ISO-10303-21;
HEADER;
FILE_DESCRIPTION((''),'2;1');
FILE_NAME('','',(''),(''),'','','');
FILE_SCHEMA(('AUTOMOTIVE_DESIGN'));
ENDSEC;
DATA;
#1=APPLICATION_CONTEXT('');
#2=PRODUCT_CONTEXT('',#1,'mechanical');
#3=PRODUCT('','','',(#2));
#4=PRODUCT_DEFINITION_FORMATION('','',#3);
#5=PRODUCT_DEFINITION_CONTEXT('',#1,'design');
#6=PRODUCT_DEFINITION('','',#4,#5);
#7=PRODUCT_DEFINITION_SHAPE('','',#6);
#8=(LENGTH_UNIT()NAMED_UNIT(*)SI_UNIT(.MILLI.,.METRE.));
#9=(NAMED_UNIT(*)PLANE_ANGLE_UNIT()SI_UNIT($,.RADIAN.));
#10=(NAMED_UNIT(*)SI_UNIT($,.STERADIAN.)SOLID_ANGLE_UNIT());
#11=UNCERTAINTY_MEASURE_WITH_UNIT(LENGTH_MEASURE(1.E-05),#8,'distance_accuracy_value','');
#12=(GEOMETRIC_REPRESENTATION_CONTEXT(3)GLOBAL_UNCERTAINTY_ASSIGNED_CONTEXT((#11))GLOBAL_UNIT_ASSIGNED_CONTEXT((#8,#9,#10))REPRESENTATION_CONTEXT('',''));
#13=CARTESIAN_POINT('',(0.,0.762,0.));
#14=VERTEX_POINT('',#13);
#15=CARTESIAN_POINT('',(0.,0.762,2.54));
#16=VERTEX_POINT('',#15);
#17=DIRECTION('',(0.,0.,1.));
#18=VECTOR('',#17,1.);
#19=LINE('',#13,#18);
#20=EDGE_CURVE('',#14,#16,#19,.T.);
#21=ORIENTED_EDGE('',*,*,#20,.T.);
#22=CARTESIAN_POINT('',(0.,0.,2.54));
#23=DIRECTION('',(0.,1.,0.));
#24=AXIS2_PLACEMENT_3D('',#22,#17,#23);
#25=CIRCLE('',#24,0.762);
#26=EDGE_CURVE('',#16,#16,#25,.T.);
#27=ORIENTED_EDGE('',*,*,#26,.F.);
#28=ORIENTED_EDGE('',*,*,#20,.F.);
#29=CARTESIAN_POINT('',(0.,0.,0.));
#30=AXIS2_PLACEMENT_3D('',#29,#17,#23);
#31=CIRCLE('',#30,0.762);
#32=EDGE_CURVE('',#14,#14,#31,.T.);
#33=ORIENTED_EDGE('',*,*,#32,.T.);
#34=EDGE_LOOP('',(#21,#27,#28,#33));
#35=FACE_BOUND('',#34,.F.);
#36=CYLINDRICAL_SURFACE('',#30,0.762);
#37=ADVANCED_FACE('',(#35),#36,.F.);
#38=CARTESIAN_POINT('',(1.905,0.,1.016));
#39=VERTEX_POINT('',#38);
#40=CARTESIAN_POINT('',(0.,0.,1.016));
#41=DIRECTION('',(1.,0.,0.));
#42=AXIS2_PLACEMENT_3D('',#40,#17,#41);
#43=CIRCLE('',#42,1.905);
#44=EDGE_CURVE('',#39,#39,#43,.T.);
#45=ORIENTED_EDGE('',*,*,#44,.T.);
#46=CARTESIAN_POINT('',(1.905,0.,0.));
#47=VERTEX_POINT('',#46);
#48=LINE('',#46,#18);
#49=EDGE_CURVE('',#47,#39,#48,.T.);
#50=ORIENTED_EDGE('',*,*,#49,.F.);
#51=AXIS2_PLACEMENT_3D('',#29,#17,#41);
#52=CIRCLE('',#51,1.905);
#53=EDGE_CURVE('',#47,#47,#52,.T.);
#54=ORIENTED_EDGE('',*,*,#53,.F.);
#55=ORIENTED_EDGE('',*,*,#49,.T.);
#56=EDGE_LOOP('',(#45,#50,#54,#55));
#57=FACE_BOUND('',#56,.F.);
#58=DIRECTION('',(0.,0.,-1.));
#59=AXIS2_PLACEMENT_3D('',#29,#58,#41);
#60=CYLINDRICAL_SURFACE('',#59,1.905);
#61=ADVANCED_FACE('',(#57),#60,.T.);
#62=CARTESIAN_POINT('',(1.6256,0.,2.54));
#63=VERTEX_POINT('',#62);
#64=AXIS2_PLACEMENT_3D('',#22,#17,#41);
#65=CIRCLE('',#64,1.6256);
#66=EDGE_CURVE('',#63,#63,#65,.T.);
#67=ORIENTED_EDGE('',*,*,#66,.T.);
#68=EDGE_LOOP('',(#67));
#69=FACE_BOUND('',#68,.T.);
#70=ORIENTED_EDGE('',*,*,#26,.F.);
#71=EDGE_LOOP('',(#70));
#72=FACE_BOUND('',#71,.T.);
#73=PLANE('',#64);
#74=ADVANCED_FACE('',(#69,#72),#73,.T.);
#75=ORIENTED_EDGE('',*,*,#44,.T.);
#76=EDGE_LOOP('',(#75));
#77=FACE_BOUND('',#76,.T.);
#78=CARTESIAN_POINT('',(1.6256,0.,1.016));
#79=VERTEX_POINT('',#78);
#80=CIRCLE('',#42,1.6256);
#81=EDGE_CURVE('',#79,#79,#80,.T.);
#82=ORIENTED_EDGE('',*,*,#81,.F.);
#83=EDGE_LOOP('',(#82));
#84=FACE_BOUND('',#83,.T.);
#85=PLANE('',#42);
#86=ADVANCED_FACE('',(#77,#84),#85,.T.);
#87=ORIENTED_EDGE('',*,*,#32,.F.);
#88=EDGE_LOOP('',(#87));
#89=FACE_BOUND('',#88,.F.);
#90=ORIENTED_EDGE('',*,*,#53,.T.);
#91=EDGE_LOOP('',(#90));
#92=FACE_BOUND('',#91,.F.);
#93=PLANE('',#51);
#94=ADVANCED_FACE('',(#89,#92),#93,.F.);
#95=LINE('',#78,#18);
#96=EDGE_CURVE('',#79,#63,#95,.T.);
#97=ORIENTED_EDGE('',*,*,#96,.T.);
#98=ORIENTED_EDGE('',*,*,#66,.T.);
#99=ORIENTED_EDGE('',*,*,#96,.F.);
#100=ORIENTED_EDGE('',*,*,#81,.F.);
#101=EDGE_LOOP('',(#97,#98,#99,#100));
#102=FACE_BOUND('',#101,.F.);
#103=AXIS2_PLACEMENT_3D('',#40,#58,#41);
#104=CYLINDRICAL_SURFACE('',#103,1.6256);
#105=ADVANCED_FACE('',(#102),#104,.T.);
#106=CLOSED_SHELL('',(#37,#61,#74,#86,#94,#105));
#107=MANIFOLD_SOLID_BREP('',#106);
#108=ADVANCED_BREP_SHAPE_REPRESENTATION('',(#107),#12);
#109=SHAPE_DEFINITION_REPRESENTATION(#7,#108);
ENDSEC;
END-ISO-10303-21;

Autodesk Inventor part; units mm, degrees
ref_plane "YZ Plane" through (0, 0, 0) normal (1, 0, 0) x (0, 1, 0)
ref_plane "XZ Plane" through (0, 0, 0) normal (0, 1, 0) x (-1, 0, 0)
ref_plane "XY Plane" through (0, 0, 0) normal (0, 0, 1) x (1, 0, 0)
sketch "Sketch1" plane through (0, 0, 0) normal (0, 0, 1) x (1, 0, 0)
  circle A0 centre (0, 0) radius 1.905
  dimension "d0" = 3.81
extrude "Extrusion1" add sketch "Sketch1" along normal blind 1.016
sketch "Sketch2" plane through (0, 0, 1.016) normal (0, 0, 1) x (1, 0, 0)
  circle A0 centre (0, 0) radius 1.905 projected
  circle A1 centre (0, 0) radius 1.6256
  dimension "d3" = 3.2512
extrude "Extrusion2" add sketch "Sketch2" along normal blind 1.524 contours A1
sketch "Sketch3" plane through (0, 0, 0) normal (0, 0, -1) x (-1, 0, 0)
  circle A0 centre (0, 0) radius 1.905 projected
hole "Hole1" at (0, 0, 0) direction (0, 0, 1) diameter 1.524 end through all
properties part number "upper_cap" material "Acetal Resin, White"
